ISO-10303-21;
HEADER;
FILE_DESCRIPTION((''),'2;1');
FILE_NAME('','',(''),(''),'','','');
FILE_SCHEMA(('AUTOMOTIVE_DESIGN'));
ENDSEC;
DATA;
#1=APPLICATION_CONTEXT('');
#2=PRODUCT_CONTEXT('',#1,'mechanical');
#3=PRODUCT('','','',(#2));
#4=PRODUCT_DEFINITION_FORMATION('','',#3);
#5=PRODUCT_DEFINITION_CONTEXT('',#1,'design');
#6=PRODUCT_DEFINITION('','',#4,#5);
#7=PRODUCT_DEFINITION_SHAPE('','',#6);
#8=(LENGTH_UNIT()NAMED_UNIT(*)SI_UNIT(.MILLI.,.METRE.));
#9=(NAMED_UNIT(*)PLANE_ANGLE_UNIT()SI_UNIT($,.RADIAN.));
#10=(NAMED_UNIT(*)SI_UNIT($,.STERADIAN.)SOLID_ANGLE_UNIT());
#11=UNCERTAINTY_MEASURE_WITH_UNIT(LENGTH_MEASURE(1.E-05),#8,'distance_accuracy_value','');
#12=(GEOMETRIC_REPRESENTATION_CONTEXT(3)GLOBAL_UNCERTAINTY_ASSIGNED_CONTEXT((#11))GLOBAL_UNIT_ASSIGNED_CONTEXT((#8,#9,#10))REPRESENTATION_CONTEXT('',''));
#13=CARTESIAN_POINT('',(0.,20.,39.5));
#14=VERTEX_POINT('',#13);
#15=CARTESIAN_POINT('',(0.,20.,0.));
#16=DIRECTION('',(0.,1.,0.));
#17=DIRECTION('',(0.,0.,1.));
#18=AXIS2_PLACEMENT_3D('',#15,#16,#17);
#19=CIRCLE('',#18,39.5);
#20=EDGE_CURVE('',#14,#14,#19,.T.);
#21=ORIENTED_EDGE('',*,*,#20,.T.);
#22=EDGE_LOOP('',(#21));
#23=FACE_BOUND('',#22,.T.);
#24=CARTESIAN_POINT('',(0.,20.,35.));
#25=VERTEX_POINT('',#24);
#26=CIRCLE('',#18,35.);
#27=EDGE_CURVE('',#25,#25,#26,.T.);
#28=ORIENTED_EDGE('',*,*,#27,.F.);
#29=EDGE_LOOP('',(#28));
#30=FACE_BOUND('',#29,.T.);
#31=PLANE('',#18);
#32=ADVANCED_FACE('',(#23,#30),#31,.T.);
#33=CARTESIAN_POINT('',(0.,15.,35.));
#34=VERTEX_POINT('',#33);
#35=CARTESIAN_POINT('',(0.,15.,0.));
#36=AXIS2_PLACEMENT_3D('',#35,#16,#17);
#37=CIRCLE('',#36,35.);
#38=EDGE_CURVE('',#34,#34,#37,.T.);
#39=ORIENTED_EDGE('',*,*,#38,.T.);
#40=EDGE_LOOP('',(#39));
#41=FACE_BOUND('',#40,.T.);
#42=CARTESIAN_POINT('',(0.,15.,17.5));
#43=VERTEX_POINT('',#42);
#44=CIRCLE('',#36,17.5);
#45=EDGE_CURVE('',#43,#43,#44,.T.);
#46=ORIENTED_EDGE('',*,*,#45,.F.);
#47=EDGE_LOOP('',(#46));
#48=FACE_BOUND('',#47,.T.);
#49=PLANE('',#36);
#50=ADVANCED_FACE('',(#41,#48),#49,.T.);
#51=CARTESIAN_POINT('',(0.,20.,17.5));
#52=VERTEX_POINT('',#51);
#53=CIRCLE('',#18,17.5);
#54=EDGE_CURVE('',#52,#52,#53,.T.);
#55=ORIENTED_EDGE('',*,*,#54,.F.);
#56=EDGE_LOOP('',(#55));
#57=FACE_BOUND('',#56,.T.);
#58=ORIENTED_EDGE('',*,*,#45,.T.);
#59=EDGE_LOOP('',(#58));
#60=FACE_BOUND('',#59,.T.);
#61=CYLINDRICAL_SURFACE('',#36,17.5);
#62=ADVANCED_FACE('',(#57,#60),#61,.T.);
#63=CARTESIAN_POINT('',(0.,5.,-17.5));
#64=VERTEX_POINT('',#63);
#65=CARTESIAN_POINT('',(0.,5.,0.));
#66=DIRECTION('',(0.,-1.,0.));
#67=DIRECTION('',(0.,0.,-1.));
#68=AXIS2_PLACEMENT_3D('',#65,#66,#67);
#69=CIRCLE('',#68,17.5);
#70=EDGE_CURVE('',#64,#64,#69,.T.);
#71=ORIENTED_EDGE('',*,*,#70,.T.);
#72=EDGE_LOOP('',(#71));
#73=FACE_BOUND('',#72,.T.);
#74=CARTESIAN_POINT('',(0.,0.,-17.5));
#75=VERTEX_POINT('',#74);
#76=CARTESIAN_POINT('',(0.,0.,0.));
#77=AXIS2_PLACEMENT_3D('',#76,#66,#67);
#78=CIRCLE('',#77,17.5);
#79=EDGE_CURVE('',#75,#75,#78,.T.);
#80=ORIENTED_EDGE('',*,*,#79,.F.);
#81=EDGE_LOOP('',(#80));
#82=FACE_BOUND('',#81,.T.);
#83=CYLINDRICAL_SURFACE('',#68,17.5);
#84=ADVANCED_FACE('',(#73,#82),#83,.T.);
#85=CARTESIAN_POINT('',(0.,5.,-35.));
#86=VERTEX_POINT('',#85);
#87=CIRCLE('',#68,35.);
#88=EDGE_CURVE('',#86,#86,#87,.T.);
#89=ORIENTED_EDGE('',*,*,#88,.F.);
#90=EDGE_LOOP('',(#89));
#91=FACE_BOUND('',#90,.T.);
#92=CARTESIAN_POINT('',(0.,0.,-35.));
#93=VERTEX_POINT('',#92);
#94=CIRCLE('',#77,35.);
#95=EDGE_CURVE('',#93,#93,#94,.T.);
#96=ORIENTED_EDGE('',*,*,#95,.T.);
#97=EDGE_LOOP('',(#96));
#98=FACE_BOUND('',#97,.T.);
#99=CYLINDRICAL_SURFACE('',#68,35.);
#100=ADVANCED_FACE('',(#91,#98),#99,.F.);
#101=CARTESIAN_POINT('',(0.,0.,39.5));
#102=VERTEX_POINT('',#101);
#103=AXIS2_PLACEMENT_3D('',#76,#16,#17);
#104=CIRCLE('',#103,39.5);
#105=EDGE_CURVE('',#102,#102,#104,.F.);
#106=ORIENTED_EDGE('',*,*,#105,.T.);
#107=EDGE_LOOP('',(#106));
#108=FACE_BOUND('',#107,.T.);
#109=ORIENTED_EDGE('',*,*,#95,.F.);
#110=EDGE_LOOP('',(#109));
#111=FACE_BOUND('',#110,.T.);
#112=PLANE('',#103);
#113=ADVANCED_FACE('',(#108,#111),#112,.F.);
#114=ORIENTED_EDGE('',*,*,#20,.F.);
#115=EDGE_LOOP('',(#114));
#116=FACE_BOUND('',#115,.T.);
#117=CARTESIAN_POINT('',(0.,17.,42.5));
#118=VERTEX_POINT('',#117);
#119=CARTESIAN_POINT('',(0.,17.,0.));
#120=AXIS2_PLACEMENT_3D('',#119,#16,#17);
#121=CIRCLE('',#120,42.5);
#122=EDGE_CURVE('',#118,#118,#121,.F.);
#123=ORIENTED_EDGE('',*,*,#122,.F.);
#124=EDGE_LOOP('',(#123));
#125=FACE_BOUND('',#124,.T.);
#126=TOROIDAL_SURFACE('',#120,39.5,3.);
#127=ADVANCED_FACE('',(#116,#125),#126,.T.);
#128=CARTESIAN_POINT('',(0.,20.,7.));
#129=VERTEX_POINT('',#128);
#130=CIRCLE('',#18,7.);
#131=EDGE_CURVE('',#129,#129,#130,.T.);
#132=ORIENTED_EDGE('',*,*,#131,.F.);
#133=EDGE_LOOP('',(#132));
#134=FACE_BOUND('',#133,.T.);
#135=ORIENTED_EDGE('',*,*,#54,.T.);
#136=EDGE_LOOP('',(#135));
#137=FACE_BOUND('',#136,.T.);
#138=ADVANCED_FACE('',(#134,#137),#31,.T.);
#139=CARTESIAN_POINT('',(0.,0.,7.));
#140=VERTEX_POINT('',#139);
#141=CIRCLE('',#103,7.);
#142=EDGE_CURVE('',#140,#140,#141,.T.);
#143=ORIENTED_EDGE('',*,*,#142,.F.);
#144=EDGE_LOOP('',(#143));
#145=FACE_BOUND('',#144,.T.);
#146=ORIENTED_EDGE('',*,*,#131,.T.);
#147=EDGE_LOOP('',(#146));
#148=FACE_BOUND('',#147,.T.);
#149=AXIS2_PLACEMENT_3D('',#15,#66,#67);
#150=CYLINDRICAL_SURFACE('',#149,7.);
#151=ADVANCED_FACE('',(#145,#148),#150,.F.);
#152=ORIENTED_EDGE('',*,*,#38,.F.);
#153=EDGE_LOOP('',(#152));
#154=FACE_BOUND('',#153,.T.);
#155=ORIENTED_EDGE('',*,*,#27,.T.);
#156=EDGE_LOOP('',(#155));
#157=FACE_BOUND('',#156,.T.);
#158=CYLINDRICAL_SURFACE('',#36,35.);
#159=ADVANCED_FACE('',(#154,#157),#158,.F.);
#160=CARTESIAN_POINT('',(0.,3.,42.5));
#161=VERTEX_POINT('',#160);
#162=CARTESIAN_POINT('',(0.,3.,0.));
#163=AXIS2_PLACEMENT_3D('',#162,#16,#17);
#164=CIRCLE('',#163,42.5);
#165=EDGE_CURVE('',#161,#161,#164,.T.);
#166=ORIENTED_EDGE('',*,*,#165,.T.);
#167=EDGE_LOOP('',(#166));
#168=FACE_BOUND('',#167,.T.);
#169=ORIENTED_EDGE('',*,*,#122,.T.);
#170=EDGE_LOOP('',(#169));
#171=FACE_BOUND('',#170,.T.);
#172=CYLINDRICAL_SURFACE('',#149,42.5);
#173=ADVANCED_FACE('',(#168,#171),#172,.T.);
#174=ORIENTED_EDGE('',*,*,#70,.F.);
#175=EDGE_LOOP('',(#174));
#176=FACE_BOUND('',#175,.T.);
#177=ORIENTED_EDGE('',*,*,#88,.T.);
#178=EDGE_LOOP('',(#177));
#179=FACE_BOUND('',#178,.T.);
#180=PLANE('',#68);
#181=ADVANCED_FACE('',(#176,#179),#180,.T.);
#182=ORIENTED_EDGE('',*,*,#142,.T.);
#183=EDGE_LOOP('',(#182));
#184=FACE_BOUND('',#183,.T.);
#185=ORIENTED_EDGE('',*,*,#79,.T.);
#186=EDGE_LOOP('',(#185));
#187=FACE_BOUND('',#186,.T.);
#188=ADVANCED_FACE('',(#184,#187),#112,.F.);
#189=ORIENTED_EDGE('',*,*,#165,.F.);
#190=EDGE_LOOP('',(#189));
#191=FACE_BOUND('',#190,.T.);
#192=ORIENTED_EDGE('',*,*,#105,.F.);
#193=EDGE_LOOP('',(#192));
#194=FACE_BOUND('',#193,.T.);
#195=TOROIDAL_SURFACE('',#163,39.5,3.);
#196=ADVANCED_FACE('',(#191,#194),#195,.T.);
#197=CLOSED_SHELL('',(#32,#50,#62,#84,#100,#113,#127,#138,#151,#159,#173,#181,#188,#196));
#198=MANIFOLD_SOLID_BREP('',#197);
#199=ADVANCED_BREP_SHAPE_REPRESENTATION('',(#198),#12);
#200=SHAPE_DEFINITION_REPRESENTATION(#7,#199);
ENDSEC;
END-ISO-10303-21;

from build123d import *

# Parameters (mm, degrees)
SKETCH_1_R          = 42.5
SKETCH_1_R_2        = 7
EXTRUDE_1_DEPTH     = 20
SKETCH_2_R          = 35
SKETCH_2_R_2        = 17.5
CUT_EXTRUDE_1_DEPTH = 5
CUT_EXTRUDE_START   = -5
SKETCH_3_R          = 35
SKETCH_3_R_2        = 17.5
CUT_EXTRUDE_2_DEPTH = 5
FILLET_1_R          = 3


with BuildPart() as part:
    # 草图1 → 凸台-拉伸1 (new body)
    with BuildSketch(Plane(origin=(0, 0, 0), x_dir=(1, 0, 0), z_dir=(0, 1, 0))):
        with Locations(Location((0, 0, 0), (0, 0, 270))):
            Circle(SKETCH_1_R)
        with Locations(Location((0, 0, 0), (0, 0, 270))):
            Circle(SKETCH_1_R_2, mode=Mode.SUBTRACT)
    extrude(amount=EXTRUDE_1_DEPTH)

    # 草图2 → 切除-拉伸1 (cut)
    with BuildSketch(Plane(origin=(0, 20, 0), x_dir=(1, 0, 0), z_dir=(0, 1, 0))):
        with Locations(Location((0, 0, 0), (0, 0, 270))):
            Circle(SKETCH_2_R)
        with Locations(Location((0, 0, 0), (0, 0, 270))):
            Circle(SKETCH_2_R_2, mode=Mode.SUBTRACT)
    extrude(amount=-CUT_EXTRUDE_1_DEPTH, mode=Mode.SUBTRACT)

    # 草图3 → 切除-拉伸2 (cut)
    with BuildSketch(Plane.XZ.offset(CUT_EXTRUDE_START)):
        with Locations(Location((0, 0, 0), (0, 0, 90))):
            Circle(SKETCH_3_R)
        with Locations(Location((0, 0, 0), (0, 0, 90))):
            Circle(SKETCH_3_R_2, mode=Mode.SUBTRACT)
    extrude(amount=CUT_EXTRUDE_2_DEPTH, mode=Mode.SUBTRACT)

    # 圆角1
    fillet_1_edges = [part.edges().sort_by_distance(p)[0] for p in [
        (0, 0, -42.5),
        (0, 20, -42.5),
    ]]
    fillet(fillet_1_edges, radius=FILLET_1_R)


solid = part.part
